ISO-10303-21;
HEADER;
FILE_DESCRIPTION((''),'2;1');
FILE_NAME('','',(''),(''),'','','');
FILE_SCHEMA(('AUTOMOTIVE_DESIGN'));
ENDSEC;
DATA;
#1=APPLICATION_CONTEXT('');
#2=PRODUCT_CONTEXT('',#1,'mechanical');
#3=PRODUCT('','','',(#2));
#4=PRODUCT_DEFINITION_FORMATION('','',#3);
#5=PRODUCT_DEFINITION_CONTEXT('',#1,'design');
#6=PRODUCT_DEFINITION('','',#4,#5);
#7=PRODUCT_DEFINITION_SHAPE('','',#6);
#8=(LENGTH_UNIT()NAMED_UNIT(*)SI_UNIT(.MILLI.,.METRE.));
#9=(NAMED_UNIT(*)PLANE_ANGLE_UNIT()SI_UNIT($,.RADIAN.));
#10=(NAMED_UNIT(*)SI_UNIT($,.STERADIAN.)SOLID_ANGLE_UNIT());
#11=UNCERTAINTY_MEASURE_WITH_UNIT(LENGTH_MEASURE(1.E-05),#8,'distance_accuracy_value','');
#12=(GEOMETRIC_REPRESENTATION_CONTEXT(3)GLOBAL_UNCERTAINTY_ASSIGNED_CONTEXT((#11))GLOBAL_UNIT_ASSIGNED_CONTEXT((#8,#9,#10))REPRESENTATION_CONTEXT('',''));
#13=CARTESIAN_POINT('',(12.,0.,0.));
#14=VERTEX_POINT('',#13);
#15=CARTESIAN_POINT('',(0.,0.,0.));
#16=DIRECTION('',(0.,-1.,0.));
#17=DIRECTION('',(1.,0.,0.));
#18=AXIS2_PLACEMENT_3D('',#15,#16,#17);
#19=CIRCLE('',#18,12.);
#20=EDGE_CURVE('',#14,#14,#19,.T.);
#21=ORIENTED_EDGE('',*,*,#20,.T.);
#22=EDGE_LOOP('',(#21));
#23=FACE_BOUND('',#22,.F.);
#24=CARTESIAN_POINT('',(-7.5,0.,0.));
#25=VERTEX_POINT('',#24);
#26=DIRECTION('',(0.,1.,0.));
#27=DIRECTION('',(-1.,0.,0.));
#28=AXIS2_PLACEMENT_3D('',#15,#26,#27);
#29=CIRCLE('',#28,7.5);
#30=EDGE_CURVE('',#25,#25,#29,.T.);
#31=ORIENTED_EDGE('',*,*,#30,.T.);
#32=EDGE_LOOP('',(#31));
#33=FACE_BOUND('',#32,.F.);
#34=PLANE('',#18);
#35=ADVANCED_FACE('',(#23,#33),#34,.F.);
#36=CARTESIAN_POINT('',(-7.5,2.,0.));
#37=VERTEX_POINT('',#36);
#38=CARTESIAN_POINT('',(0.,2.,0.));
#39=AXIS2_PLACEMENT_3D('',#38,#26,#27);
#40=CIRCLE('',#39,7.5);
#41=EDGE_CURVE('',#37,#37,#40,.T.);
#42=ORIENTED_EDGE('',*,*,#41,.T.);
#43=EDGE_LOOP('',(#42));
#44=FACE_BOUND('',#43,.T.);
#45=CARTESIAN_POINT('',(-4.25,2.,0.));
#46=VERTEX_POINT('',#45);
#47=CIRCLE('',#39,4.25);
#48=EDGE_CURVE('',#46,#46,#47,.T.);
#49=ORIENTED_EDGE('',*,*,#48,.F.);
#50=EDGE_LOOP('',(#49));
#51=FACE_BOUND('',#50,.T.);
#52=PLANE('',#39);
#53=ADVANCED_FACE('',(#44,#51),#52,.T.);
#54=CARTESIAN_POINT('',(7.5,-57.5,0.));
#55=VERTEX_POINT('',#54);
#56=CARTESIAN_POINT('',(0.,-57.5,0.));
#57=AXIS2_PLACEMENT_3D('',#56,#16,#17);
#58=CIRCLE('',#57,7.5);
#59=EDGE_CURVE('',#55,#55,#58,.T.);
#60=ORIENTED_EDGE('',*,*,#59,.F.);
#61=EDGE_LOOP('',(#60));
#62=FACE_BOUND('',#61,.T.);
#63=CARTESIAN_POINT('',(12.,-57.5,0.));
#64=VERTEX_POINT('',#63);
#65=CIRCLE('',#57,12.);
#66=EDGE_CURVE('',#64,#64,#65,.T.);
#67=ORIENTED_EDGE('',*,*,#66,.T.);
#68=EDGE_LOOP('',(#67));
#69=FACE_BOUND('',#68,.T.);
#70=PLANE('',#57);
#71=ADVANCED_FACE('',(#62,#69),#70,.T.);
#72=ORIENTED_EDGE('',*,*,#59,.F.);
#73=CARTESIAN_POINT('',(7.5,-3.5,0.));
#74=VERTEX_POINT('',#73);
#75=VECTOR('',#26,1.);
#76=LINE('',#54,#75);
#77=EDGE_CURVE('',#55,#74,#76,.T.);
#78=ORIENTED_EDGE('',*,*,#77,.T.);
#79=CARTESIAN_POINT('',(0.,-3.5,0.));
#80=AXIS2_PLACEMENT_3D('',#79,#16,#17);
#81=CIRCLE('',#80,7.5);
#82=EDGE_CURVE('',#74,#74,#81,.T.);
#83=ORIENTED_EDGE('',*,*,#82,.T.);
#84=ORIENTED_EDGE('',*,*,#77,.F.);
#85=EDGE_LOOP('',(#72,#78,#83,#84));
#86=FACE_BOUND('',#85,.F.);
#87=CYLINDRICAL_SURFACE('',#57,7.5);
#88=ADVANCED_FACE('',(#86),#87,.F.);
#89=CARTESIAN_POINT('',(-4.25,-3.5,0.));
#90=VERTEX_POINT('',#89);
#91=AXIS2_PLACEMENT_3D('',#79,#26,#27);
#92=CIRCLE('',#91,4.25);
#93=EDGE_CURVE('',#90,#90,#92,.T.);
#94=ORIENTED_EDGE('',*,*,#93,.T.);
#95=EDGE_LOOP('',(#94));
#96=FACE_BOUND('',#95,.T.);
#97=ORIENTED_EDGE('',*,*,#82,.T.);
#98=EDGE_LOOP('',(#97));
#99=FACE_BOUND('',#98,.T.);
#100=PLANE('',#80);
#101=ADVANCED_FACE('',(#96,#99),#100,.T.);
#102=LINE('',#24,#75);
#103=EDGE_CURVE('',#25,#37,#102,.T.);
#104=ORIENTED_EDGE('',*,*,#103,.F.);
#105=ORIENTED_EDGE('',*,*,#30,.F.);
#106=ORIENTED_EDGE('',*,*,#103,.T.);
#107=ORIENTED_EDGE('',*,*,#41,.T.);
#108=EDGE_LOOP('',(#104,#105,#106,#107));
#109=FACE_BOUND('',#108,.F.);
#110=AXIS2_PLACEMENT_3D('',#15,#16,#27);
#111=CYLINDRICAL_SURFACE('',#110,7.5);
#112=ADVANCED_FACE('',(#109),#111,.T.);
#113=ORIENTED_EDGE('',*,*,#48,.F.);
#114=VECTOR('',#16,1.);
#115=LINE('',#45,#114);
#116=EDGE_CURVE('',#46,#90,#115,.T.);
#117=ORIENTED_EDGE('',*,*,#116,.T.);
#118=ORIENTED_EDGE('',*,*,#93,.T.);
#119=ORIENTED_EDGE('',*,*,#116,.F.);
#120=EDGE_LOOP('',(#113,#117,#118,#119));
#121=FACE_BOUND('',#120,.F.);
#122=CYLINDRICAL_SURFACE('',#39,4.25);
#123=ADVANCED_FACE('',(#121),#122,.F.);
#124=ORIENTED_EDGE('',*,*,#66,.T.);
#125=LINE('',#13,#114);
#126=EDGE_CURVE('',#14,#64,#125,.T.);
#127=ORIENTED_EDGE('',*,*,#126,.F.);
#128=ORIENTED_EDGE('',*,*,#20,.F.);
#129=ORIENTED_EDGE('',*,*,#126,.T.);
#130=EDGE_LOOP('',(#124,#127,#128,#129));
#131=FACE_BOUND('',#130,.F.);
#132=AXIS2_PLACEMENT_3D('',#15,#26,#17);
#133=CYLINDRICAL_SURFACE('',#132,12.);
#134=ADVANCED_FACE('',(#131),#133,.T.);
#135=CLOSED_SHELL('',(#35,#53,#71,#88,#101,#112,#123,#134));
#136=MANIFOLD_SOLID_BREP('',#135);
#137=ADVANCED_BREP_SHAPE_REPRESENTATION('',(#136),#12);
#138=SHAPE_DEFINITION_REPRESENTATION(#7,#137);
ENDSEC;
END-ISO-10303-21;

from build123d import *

# Parameters (mm, degrees)
F0_R     = 12
F1_DEPTH = 57.5
F2_R     = 7.5
F3_DEPTH = 2
F4_R     = 7.5
F5_DEPTH = 54
F6_R     = 4.25
F7_DEPTH = 8


with BuildPart() as f1:
    # F0 (on Front) → F1 (new body)
    with BuildSketch(Plane.XZ):
        Circle(F0_R)
    extrude(amount=F1_DEPTH)

    # F2 (on face) → F3 (join)
    with BuildSketch(Plane(origin=(0, 0, 0), x_dir=(-1, 0, 0), z_dir=(0, 1, 0))):
        Circle(F2_R)
    extrude(amount=F3_DEPTH)

    # F4 (on face) → F5 (cut)
    with BuildSketch(Plane.XZ.offset(57.5)):
        Circle(F4_R)
    extrude(amount=-F5_DEPTH, mode=Mode.SUBTRACT)

    # F6 (on face) → F7 (cut)
    with BuildSketch(Plane(origin=(0, 2, 0), x_dir=(-1, 0, 0), z_dir=(0, 1, 0))):
        Circle(F6_R)
    extrude(amount=-F7_DEPTH, mode=Mode.SUBTRACT)


solid = f1.part
